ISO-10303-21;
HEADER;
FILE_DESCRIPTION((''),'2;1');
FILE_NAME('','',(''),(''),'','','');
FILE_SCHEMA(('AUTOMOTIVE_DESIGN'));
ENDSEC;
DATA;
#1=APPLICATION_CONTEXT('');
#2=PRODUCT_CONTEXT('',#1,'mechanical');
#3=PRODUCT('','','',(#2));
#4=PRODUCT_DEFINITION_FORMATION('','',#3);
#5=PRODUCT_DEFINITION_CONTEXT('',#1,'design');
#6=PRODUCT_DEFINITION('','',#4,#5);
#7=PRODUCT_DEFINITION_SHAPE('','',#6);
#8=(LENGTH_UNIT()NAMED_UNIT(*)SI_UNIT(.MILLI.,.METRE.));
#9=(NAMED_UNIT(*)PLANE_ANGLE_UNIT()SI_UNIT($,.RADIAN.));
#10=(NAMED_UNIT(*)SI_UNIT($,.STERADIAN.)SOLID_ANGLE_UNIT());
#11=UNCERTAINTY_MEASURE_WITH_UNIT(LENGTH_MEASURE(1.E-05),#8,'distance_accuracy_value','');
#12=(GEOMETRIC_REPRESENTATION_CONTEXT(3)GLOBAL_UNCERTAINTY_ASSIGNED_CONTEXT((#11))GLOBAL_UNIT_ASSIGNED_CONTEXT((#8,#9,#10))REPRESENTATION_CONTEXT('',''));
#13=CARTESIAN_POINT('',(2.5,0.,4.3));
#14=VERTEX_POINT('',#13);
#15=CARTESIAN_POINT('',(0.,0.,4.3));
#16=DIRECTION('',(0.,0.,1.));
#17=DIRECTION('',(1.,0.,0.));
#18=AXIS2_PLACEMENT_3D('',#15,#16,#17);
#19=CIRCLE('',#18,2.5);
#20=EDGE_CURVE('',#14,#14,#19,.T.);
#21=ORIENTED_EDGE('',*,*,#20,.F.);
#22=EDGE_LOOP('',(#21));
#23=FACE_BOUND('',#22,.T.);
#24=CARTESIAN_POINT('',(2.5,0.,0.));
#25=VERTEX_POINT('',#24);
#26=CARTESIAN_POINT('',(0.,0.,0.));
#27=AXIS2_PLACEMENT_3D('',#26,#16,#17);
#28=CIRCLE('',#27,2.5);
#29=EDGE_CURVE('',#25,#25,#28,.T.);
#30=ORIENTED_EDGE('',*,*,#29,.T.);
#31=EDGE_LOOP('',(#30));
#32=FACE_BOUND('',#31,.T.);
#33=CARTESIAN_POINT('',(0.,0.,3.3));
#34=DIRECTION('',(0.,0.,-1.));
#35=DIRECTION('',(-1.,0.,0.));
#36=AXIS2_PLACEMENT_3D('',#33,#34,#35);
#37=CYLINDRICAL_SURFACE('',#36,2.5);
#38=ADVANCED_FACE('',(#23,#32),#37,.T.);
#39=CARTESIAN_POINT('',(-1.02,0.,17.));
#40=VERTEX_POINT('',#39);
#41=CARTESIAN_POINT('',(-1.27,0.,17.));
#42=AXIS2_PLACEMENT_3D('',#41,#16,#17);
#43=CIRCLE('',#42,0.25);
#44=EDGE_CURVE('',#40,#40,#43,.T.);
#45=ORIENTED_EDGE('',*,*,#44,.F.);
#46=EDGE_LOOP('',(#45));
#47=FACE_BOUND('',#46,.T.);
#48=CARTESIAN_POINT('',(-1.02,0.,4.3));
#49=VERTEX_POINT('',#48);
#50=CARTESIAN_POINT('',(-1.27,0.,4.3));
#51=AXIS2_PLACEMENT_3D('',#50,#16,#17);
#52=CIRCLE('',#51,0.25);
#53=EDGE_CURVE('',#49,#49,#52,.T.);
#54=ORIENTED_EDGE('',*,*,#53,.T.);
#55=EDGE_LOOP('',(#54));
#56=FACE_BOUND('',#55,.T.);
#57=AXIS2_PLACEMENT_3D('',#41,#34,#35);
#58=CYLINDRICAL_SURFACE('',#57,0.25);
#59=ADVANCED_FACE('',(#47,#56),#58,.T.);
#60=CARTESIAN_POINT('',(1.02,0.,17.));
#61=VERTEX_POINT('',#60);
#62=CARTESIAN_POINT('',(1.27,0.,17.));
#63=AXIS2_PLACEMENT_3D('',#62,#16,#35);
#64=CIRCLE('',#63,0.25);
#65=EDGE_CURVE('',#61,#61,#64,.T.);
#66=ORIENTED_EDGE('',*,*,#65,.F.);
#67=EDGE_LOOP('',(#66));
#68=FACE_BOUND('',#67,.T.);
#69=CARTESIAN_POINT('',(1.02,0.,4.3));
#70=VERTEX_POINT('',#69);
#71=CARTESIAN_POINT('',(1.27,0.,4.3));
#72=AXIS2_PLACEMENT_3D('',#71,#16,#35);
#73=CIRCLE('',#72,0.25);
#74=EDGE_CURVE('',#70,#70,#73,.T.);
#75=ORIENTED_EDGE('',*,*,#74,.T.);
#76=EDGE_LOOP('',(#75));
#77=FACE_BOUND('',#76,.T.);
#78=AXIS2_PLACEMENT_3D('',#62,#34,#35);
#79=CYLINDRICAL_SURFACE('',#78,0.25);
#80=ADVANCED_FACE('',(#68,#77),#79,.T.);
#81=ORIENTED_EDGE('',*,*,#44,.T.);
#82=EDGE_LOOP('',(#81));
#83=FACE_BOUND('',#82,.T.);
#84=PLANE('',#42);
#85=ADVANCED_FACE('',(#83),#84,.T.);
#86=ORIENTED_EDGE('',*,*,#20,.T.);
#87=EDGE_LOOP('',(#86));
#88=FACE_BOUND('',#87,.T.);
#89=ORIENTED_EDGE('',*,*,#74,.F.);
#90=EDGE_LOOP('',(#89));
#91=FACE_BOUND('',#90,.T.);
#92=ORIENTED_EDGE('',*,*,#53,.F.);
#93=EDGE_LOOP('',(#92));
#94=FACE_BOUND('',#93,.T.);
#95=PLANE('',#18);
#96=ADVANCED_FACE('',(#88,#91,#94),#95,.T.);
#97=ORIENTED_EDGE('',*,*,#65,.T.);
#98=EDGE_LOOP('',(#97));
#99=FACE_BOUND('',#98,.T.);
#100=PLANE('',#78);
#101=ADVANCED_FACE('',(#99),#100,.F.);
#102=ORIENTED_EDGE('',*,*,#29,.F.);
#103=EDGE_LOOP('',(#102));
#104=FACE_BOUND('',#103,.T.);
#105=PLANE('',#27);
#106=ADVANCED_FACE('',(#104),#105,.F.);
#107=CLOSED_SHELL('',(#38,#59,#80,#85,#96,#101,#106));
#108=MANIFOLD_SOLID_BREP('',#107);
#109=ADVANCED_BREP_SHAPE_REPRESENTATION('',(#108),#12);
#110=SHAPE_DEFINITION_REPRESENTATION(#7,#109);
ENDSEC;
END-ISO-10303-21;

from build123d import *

# Parameters (mm, degrees)
SKETCH_1_R      = 2.5
EXTRUDE_1_DEPTH = 3.3
SKETCH_2_R      = 2.5
EXTRUDE_2_DEPTH = 1
SKETCH_3_R      = 0.25
EXTRUDE_3_DEPTH = 12.7


with BuildPart() as part:
    # 草图1 → 拉伸1 (new body)
    with BuildSketch(Plane.XY):
        Circle(SKETCH_1_R)
    extrude(amount=EXTRUDE_1_DEPTH)

    # 草图2 → 拉伸2 (add)
    with BuildSketch(Plane.XY.offset(3.3)):
        Circle(SKETCH_2_R)
    extrude(amount=EXTRUDE_2_DEPTH)

    # 草图3 → 拉伸3 (add)
    with BuildSketch(Plane.XY.offset(4.3)):
        with Locations((-1.27, 0)):
            Circle(SKETCH_3_R)
        with Locations(Location((1.27, 0, 0), (0, 0, 180))):
            Circle(SKETCH_3_R)
    extrude(amount=EXTRUDE_3_DEPTH)


solid = part.part
